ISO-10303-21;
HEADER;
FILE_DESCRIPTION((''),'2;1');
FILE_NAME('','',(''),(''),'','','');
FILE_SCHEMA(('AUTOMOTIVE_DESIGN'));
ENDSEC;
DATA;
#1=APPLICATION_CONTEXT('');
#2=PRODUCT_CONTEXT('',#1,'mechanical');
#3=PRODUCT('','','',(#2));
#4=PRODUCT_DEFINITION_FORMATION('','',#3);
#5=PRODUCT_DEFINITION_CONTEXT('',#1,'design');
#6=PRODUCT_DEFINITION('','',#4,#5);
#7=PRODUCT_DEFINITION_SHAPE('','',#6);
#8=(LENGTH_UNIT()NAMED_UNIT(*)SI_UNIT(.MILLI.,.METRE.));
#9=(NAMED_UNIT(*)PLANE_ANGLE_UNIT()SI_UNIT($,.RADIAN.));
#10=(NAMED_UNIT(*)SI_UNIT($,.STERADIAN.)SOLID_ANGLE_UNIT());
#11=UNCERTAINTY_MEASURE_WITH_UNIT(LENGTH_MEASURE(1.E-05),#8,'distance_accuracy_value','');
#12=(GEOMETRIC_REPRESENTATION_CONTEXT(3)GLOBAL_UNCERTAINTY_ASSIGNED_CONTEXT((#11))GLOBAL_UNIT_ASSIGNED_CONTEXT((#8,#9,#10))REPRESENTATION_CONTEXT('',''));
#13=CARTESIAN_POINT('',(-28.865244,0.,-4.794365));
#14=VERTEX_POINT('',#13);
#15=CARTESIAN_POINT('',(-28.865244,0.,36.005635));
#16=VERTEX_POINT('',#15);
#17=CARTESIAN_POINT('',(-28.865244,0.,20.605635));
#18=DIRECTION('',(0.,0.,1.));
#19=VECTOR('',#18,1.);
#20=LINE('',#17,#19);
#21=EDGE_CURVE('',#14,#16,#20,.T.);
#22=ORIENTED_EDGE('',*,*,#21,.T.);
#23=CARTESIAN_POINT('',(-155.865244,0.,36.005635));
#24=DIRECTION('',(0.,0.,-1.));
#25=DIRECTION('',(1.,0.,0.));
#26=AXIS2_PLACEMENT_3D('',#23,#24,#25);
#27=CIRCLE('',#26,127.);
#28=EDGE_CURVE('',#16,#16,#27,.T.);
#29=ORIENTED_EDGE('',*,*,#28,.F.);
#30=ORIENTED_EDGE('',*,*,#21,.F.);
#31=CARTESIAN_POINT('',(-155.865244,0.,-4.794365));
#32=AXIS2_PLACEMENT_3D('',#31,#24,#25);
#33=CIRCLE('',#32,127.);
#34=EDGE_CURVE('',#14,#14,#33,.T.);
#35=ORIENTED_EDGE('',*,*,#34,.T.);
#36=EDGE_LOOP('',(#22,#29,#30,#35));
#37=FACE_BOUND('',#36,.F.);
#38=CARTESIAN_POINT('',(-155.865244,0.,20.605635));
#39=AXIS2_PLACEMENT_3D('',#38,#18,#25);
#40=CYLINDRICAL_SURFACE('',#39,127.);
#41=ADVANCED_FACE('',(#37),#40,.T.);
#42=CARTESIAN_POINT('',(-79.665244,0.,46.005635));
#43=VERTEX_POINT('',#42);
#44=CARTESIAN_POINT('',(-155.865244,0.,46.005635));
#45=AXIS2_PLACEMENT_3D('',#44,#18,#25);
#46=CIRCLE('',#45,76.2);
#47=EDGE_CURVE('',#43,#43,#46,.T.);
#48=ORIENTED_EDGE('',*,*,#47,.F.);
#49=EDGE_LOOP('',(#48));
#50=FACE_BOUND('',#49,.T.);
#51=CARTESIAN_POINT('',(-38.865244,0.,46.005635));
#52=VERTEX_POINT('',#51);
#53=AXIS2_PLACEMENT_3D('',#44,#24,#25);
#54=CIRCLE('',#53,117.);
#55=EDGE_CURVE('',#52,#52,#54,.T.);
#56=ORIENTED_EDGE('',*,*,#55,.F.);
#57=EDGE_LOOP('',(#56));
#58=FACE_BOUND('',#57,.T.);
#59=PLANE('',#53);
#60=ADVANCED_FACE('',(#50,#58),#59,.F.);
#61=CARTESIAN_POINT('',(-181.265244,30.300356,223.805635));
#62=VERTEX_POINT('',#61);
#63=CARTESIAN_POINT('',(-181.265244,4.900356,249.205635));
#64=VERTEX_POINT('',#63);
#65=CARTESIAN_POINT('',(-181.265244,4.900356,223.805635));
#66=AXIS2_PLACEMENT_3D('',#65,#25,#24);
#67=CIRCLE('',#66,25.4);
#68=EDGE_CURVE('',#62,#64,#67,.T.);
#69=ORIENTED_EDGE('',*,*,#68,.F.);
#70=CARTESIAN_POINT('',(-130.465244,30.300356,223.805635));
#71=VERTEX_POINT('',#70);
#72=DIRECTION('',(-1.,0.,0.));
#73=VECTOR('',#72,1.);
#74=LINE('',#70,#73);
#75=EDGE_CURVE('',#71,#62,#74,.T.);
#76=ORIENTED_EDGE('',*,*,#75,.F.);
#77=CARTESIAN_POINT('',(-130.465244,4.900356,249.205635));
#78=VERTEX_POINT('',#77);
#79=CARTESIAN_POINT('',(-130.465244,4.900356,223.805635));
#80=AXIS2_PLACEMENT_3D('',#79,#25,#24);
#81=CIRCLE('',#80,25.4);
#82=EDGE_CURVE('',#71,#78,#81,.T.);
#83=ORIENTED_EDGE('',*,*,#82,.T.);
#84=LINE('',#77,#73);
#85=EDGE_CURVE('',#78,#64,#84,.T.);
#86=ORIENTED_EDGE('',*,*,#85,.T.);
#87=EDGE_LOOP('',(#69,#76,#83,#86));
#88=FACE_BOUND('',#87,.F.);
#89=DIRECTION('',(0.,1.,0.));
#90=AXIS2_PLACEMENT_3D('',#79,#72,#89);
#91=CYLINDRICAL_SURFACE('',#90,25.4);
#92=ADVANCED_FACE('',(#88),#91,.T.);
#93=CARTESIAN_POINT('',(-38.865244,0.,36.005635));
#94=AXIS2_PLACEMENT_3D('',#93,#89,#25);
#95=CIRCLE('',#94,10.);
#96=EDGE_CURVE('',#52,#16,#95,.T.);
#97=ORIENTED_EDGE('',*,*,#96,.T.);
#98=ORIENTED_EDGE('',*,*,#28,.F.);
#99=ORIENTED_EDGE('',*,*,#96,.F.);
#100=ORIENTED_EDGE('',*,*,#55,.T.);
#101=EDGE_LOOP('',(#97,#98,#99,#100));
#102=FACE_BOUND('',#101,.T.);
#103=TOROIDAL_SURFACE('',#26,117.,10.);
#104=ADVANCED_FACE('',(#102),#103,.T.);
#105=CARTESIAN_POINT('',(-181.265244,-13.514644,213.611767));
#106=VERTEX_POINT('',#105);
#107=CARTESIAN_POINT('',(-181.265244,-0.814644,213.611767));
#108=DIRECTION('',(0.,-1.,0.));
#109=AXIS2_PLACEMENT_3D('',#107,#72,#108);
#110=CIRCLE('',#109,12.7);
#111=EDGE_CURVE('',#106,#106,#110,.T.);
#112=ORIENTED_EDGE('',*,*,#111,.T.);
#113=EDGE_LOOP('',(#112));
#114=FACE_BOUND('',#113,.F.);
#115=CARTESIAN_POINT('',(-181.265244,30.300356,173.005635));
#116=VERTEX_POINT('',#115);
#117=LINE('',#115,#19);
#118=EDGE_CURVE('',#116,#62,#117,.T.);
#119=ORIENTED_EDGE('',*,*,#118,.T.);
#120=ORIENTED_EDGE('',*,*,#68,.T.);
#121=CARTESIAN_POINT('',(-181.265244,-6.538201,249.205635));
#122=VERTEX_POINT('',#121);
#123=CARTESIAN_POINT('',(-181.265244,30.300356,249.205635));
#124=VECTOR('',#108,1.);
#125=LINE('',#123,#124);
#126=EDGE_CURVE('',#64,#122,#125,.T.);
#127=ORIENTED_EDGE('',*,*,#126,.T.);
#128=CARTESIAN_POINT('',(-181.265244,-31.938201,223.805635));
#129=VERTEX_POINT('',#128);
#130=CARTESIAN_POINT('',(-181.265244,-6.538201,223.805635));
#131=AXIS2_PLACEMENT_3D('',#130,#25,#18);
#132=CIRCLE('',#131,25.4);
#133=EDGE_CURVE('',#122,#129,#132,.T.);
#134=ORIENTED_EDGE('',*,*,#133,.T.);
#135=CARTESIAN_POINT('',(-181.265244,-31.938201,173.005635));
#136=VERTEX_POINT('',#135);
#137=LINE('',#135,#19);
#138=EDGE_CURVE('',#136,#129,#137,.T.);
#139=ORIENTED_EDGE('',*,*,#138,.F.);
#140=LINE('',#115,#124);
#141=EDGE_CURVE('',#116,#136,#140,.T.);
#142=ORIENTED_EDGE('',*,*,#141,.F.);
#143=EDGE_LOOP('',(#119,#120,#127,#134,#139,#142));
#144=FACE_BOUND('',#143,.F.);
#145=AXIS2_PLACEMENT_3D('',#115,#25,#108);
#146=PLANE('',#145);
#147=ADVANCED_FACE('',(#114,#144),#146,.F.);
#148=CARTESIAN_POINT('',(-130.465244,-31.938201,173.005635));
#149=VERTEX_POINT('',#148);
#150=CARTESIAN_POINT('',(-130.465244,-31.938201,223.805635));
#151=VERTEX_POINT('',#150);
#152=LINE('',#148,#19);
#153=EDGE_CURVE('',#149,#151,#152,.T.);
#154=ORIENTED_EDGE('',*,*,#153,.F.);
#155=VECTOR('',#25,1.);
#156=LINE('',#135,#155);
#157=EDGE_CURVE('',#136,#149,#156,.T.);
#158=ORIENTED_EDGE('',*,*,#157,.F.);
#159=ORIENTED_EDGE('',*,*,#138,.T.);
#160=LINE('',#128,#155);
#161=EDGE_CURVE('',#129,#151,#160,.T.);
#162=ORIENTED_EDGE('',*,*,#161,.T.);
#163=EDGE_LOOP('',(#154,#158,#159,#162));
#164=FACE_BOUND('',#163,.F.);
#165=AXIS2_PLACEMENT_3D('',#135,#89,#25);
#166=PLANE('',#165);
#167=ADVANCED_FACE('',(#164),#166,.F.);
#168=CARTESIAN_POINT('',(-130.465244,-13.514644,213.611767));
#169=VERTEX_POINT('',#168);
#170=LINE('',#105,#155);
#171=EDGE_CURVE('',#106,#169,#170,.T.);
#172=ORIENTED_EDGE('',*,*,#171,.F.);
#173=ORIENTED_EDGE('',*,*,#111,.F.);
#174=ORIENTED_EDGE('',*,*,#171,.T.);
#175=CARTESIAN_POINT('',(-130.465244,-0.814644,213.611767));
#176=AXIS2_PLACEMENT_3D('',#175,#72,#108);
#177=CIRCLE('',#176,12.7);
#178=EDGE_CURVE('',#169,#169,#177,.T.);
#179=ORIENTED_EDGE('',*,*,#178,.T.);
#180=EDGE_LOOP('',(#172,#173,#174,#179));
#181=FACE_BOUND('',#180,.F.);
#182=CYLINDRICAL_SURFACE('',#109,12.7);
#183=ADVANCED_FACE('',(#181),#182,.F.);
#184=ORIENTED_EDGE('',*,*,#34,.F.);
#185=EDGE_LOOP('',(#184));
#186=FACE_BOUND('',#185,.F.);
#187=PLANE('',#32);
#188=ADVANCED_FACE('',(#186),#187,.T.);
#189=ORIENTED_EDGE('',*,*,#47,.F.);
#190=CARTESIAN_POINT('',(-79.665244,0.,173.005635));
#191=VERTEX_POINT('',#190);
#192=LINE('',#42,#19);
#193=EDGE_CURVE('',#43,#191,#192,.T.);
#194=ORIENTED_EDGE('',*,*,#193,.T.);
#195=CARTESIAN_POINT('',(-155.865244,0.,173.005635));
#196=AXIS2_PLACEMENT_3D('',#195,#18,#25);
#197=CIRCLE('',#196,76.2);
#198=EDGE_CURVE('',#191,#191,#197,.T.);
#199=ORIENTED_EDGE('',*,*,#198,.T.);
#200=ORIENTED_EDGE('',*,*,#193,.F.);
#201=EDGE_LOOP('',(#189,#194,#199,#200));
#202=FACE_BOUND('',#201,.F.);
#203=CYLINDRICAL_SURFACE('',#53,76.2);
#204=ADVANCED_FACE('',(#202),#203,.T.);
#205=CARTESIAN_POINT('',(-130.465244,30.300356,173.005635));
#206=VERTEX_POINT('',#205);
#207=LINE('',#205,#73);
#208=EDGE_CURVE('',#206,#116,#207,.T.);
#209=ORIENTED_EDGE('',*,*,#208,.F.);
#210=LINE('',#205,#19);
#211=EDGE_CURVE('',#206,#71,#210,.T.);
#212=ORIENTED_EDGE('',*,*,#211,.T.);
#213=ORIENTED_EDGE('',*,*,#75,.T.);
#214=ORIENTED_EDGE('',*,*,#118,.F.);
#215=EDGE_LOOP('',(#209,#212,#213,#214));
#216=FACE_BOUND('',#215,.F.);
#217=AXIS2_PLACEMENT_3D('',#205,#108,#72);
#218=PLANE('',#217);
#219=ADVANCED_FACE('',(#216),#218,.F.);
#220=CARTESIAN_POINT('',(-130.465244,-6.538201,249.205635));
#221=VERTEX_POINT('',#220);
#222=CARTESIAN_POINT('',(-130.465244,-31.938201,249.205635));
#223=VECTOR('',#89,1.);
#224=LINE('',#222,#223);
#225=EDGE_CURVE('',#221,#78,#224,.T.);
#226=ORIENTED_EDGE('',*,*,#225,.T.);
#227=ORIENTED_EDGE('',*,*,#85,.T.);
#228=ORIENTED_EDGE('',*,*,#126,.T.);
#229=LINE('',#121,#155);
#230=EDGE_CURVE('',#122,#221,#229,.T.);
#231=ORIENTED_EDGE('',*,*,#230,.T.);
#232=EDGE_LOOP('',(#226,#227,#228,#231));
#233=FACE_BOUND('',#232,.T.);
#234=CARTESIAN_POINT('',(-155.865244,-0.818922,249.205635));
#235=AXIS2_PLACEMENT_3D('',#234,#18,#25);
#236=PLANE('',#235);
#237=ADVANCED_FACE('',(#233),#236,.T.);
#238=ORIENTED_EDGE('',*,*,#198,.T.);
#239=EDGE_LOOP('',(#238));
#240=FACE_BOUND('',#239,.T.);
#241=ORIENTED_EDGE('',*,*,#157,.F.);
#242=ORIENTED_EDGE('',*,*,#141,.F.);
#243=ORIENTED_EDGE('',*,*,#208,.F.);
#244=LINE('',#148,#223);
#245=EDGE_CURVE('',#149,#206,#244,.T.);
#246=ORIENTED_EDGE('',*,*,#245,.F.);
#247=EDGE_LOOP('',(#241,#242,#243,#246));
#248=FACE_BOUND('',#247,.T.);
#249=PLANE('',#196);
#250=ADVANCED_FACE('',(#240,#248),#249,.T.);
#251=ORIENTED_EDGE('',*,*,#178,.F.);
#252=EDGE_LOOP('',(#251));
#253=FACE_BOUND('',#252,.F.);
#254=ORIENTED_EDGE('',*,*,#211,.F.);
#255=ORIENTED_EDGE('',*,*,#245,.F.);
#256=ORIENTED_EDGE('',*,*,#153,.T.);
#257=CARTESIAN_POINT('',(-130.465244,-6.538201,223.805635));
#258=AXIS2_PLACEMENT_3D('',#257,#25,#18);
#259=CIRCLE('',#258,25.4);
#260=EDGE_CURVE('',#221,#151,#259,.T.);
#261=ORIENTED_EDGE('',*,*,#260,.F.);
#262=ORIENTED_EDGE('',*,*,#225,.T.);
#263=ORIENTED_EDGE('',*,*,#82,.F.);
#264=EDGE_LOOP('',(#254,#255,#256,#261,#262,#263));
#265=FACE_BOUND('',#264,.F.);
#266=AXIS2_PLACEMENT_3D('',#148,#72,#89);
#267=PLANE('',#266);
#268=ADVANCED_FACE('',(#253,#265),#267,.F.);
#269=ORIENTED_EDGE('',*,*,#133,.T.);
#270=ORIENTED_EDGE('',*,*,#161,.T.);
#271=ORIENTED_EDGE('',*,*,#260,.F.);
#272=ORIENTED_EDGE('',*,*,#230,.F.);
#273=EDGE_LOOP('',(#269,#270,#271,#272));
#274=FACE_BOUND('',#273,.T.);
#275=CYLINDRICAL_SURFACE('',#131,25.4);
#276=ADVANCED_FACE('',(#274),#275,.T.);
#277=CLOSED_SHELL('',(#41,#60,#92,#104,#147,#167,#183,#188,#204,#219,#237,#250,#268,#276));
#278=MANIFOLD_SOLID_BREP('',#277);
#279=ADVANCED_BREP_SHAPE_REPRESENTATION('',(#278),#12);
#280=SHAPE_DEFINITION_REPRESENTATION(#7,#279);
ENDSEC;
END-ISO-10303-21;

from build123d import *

# Parameters (mm, degrees)
F0_W      = 127
F0_H      = 50.8
F2_R      = 76.2
F3_DEPTH  = 127
F5_DEPTH  = 76.2
F6_R      = 25.4
F7_R      = 25.4
F8_R      = 12.7
F10_DEPTH = 152.401
F11_R     = 10


with BuildPart() as f1:
    # F0 (on Front) → F1 (revolve)
    with BuildSketch(Plane.XZ):
        with Locations((-92.3652442396, 20.6056353453)):
            Rectangle(F0_W, F0_H)
    revolve(axis=Axis((-155.8652442396, 0, 20.6056353453), (0, 0, -1)))

    # F2 (on face) → F3 (join)
    with BuildSketch(Plane.XY.offset(46.0056353453)):
        with Locations((-155.8652442396, 0)):
            Circle(F2_R)
    extrude(amount=F3_DEPTH)

    # F4 (on face) → F5 (join)
    with BuildSketch(Plane.XY.offset(173.0056353453)):
        Polygon((-130.4652442396, 30.3003561618), (-155.8652442396, 30.3003561618), (-181.2652442396, 30.3003561618), (-181.2652442396, -31.9382007305), (-155.8652442396, -31.9382007305), (-130.4652442396, -31.9382007305), align=None)
    extrude(amount=F5_DEPTH)

    # F6
    f6_edges = [f1.edges().sort_by_distance(p)[0] for p in [
        (-155.865244, 30.300356, 249.205635),
    ]]
    fillet(f6_edges, radius=F6_R)

    # F7
    f7_edges = [f1.edges().sort_by_distance(p)[0] for p in [
        (-155.865244, -31.938201, 249.205635),
    ]]
    fillet(f7_edges, radius=F7_R)

    # F8 (on face) → F10 (cut, through all)
    with BuildSketch(Plane(origin=(-181.2652442396, 0, 0), x_dir=(0, -1, 0), z_dir=(-1, 0, 0))):
        with Locations((0.8146438382, 213.611766696)):
            Circle(F8_R)
    extrude(amount=-F10_DEPTH, mode=Mode.SUBTRACT)

    # F11
    f11_edges = [f1.edges().sort_by_distance(p)[0] for p in [
        (-282.865244, 0, 46.005635),
    ]]
    fillet(f11_edges, radius=F11_R)


solid = f1.part
